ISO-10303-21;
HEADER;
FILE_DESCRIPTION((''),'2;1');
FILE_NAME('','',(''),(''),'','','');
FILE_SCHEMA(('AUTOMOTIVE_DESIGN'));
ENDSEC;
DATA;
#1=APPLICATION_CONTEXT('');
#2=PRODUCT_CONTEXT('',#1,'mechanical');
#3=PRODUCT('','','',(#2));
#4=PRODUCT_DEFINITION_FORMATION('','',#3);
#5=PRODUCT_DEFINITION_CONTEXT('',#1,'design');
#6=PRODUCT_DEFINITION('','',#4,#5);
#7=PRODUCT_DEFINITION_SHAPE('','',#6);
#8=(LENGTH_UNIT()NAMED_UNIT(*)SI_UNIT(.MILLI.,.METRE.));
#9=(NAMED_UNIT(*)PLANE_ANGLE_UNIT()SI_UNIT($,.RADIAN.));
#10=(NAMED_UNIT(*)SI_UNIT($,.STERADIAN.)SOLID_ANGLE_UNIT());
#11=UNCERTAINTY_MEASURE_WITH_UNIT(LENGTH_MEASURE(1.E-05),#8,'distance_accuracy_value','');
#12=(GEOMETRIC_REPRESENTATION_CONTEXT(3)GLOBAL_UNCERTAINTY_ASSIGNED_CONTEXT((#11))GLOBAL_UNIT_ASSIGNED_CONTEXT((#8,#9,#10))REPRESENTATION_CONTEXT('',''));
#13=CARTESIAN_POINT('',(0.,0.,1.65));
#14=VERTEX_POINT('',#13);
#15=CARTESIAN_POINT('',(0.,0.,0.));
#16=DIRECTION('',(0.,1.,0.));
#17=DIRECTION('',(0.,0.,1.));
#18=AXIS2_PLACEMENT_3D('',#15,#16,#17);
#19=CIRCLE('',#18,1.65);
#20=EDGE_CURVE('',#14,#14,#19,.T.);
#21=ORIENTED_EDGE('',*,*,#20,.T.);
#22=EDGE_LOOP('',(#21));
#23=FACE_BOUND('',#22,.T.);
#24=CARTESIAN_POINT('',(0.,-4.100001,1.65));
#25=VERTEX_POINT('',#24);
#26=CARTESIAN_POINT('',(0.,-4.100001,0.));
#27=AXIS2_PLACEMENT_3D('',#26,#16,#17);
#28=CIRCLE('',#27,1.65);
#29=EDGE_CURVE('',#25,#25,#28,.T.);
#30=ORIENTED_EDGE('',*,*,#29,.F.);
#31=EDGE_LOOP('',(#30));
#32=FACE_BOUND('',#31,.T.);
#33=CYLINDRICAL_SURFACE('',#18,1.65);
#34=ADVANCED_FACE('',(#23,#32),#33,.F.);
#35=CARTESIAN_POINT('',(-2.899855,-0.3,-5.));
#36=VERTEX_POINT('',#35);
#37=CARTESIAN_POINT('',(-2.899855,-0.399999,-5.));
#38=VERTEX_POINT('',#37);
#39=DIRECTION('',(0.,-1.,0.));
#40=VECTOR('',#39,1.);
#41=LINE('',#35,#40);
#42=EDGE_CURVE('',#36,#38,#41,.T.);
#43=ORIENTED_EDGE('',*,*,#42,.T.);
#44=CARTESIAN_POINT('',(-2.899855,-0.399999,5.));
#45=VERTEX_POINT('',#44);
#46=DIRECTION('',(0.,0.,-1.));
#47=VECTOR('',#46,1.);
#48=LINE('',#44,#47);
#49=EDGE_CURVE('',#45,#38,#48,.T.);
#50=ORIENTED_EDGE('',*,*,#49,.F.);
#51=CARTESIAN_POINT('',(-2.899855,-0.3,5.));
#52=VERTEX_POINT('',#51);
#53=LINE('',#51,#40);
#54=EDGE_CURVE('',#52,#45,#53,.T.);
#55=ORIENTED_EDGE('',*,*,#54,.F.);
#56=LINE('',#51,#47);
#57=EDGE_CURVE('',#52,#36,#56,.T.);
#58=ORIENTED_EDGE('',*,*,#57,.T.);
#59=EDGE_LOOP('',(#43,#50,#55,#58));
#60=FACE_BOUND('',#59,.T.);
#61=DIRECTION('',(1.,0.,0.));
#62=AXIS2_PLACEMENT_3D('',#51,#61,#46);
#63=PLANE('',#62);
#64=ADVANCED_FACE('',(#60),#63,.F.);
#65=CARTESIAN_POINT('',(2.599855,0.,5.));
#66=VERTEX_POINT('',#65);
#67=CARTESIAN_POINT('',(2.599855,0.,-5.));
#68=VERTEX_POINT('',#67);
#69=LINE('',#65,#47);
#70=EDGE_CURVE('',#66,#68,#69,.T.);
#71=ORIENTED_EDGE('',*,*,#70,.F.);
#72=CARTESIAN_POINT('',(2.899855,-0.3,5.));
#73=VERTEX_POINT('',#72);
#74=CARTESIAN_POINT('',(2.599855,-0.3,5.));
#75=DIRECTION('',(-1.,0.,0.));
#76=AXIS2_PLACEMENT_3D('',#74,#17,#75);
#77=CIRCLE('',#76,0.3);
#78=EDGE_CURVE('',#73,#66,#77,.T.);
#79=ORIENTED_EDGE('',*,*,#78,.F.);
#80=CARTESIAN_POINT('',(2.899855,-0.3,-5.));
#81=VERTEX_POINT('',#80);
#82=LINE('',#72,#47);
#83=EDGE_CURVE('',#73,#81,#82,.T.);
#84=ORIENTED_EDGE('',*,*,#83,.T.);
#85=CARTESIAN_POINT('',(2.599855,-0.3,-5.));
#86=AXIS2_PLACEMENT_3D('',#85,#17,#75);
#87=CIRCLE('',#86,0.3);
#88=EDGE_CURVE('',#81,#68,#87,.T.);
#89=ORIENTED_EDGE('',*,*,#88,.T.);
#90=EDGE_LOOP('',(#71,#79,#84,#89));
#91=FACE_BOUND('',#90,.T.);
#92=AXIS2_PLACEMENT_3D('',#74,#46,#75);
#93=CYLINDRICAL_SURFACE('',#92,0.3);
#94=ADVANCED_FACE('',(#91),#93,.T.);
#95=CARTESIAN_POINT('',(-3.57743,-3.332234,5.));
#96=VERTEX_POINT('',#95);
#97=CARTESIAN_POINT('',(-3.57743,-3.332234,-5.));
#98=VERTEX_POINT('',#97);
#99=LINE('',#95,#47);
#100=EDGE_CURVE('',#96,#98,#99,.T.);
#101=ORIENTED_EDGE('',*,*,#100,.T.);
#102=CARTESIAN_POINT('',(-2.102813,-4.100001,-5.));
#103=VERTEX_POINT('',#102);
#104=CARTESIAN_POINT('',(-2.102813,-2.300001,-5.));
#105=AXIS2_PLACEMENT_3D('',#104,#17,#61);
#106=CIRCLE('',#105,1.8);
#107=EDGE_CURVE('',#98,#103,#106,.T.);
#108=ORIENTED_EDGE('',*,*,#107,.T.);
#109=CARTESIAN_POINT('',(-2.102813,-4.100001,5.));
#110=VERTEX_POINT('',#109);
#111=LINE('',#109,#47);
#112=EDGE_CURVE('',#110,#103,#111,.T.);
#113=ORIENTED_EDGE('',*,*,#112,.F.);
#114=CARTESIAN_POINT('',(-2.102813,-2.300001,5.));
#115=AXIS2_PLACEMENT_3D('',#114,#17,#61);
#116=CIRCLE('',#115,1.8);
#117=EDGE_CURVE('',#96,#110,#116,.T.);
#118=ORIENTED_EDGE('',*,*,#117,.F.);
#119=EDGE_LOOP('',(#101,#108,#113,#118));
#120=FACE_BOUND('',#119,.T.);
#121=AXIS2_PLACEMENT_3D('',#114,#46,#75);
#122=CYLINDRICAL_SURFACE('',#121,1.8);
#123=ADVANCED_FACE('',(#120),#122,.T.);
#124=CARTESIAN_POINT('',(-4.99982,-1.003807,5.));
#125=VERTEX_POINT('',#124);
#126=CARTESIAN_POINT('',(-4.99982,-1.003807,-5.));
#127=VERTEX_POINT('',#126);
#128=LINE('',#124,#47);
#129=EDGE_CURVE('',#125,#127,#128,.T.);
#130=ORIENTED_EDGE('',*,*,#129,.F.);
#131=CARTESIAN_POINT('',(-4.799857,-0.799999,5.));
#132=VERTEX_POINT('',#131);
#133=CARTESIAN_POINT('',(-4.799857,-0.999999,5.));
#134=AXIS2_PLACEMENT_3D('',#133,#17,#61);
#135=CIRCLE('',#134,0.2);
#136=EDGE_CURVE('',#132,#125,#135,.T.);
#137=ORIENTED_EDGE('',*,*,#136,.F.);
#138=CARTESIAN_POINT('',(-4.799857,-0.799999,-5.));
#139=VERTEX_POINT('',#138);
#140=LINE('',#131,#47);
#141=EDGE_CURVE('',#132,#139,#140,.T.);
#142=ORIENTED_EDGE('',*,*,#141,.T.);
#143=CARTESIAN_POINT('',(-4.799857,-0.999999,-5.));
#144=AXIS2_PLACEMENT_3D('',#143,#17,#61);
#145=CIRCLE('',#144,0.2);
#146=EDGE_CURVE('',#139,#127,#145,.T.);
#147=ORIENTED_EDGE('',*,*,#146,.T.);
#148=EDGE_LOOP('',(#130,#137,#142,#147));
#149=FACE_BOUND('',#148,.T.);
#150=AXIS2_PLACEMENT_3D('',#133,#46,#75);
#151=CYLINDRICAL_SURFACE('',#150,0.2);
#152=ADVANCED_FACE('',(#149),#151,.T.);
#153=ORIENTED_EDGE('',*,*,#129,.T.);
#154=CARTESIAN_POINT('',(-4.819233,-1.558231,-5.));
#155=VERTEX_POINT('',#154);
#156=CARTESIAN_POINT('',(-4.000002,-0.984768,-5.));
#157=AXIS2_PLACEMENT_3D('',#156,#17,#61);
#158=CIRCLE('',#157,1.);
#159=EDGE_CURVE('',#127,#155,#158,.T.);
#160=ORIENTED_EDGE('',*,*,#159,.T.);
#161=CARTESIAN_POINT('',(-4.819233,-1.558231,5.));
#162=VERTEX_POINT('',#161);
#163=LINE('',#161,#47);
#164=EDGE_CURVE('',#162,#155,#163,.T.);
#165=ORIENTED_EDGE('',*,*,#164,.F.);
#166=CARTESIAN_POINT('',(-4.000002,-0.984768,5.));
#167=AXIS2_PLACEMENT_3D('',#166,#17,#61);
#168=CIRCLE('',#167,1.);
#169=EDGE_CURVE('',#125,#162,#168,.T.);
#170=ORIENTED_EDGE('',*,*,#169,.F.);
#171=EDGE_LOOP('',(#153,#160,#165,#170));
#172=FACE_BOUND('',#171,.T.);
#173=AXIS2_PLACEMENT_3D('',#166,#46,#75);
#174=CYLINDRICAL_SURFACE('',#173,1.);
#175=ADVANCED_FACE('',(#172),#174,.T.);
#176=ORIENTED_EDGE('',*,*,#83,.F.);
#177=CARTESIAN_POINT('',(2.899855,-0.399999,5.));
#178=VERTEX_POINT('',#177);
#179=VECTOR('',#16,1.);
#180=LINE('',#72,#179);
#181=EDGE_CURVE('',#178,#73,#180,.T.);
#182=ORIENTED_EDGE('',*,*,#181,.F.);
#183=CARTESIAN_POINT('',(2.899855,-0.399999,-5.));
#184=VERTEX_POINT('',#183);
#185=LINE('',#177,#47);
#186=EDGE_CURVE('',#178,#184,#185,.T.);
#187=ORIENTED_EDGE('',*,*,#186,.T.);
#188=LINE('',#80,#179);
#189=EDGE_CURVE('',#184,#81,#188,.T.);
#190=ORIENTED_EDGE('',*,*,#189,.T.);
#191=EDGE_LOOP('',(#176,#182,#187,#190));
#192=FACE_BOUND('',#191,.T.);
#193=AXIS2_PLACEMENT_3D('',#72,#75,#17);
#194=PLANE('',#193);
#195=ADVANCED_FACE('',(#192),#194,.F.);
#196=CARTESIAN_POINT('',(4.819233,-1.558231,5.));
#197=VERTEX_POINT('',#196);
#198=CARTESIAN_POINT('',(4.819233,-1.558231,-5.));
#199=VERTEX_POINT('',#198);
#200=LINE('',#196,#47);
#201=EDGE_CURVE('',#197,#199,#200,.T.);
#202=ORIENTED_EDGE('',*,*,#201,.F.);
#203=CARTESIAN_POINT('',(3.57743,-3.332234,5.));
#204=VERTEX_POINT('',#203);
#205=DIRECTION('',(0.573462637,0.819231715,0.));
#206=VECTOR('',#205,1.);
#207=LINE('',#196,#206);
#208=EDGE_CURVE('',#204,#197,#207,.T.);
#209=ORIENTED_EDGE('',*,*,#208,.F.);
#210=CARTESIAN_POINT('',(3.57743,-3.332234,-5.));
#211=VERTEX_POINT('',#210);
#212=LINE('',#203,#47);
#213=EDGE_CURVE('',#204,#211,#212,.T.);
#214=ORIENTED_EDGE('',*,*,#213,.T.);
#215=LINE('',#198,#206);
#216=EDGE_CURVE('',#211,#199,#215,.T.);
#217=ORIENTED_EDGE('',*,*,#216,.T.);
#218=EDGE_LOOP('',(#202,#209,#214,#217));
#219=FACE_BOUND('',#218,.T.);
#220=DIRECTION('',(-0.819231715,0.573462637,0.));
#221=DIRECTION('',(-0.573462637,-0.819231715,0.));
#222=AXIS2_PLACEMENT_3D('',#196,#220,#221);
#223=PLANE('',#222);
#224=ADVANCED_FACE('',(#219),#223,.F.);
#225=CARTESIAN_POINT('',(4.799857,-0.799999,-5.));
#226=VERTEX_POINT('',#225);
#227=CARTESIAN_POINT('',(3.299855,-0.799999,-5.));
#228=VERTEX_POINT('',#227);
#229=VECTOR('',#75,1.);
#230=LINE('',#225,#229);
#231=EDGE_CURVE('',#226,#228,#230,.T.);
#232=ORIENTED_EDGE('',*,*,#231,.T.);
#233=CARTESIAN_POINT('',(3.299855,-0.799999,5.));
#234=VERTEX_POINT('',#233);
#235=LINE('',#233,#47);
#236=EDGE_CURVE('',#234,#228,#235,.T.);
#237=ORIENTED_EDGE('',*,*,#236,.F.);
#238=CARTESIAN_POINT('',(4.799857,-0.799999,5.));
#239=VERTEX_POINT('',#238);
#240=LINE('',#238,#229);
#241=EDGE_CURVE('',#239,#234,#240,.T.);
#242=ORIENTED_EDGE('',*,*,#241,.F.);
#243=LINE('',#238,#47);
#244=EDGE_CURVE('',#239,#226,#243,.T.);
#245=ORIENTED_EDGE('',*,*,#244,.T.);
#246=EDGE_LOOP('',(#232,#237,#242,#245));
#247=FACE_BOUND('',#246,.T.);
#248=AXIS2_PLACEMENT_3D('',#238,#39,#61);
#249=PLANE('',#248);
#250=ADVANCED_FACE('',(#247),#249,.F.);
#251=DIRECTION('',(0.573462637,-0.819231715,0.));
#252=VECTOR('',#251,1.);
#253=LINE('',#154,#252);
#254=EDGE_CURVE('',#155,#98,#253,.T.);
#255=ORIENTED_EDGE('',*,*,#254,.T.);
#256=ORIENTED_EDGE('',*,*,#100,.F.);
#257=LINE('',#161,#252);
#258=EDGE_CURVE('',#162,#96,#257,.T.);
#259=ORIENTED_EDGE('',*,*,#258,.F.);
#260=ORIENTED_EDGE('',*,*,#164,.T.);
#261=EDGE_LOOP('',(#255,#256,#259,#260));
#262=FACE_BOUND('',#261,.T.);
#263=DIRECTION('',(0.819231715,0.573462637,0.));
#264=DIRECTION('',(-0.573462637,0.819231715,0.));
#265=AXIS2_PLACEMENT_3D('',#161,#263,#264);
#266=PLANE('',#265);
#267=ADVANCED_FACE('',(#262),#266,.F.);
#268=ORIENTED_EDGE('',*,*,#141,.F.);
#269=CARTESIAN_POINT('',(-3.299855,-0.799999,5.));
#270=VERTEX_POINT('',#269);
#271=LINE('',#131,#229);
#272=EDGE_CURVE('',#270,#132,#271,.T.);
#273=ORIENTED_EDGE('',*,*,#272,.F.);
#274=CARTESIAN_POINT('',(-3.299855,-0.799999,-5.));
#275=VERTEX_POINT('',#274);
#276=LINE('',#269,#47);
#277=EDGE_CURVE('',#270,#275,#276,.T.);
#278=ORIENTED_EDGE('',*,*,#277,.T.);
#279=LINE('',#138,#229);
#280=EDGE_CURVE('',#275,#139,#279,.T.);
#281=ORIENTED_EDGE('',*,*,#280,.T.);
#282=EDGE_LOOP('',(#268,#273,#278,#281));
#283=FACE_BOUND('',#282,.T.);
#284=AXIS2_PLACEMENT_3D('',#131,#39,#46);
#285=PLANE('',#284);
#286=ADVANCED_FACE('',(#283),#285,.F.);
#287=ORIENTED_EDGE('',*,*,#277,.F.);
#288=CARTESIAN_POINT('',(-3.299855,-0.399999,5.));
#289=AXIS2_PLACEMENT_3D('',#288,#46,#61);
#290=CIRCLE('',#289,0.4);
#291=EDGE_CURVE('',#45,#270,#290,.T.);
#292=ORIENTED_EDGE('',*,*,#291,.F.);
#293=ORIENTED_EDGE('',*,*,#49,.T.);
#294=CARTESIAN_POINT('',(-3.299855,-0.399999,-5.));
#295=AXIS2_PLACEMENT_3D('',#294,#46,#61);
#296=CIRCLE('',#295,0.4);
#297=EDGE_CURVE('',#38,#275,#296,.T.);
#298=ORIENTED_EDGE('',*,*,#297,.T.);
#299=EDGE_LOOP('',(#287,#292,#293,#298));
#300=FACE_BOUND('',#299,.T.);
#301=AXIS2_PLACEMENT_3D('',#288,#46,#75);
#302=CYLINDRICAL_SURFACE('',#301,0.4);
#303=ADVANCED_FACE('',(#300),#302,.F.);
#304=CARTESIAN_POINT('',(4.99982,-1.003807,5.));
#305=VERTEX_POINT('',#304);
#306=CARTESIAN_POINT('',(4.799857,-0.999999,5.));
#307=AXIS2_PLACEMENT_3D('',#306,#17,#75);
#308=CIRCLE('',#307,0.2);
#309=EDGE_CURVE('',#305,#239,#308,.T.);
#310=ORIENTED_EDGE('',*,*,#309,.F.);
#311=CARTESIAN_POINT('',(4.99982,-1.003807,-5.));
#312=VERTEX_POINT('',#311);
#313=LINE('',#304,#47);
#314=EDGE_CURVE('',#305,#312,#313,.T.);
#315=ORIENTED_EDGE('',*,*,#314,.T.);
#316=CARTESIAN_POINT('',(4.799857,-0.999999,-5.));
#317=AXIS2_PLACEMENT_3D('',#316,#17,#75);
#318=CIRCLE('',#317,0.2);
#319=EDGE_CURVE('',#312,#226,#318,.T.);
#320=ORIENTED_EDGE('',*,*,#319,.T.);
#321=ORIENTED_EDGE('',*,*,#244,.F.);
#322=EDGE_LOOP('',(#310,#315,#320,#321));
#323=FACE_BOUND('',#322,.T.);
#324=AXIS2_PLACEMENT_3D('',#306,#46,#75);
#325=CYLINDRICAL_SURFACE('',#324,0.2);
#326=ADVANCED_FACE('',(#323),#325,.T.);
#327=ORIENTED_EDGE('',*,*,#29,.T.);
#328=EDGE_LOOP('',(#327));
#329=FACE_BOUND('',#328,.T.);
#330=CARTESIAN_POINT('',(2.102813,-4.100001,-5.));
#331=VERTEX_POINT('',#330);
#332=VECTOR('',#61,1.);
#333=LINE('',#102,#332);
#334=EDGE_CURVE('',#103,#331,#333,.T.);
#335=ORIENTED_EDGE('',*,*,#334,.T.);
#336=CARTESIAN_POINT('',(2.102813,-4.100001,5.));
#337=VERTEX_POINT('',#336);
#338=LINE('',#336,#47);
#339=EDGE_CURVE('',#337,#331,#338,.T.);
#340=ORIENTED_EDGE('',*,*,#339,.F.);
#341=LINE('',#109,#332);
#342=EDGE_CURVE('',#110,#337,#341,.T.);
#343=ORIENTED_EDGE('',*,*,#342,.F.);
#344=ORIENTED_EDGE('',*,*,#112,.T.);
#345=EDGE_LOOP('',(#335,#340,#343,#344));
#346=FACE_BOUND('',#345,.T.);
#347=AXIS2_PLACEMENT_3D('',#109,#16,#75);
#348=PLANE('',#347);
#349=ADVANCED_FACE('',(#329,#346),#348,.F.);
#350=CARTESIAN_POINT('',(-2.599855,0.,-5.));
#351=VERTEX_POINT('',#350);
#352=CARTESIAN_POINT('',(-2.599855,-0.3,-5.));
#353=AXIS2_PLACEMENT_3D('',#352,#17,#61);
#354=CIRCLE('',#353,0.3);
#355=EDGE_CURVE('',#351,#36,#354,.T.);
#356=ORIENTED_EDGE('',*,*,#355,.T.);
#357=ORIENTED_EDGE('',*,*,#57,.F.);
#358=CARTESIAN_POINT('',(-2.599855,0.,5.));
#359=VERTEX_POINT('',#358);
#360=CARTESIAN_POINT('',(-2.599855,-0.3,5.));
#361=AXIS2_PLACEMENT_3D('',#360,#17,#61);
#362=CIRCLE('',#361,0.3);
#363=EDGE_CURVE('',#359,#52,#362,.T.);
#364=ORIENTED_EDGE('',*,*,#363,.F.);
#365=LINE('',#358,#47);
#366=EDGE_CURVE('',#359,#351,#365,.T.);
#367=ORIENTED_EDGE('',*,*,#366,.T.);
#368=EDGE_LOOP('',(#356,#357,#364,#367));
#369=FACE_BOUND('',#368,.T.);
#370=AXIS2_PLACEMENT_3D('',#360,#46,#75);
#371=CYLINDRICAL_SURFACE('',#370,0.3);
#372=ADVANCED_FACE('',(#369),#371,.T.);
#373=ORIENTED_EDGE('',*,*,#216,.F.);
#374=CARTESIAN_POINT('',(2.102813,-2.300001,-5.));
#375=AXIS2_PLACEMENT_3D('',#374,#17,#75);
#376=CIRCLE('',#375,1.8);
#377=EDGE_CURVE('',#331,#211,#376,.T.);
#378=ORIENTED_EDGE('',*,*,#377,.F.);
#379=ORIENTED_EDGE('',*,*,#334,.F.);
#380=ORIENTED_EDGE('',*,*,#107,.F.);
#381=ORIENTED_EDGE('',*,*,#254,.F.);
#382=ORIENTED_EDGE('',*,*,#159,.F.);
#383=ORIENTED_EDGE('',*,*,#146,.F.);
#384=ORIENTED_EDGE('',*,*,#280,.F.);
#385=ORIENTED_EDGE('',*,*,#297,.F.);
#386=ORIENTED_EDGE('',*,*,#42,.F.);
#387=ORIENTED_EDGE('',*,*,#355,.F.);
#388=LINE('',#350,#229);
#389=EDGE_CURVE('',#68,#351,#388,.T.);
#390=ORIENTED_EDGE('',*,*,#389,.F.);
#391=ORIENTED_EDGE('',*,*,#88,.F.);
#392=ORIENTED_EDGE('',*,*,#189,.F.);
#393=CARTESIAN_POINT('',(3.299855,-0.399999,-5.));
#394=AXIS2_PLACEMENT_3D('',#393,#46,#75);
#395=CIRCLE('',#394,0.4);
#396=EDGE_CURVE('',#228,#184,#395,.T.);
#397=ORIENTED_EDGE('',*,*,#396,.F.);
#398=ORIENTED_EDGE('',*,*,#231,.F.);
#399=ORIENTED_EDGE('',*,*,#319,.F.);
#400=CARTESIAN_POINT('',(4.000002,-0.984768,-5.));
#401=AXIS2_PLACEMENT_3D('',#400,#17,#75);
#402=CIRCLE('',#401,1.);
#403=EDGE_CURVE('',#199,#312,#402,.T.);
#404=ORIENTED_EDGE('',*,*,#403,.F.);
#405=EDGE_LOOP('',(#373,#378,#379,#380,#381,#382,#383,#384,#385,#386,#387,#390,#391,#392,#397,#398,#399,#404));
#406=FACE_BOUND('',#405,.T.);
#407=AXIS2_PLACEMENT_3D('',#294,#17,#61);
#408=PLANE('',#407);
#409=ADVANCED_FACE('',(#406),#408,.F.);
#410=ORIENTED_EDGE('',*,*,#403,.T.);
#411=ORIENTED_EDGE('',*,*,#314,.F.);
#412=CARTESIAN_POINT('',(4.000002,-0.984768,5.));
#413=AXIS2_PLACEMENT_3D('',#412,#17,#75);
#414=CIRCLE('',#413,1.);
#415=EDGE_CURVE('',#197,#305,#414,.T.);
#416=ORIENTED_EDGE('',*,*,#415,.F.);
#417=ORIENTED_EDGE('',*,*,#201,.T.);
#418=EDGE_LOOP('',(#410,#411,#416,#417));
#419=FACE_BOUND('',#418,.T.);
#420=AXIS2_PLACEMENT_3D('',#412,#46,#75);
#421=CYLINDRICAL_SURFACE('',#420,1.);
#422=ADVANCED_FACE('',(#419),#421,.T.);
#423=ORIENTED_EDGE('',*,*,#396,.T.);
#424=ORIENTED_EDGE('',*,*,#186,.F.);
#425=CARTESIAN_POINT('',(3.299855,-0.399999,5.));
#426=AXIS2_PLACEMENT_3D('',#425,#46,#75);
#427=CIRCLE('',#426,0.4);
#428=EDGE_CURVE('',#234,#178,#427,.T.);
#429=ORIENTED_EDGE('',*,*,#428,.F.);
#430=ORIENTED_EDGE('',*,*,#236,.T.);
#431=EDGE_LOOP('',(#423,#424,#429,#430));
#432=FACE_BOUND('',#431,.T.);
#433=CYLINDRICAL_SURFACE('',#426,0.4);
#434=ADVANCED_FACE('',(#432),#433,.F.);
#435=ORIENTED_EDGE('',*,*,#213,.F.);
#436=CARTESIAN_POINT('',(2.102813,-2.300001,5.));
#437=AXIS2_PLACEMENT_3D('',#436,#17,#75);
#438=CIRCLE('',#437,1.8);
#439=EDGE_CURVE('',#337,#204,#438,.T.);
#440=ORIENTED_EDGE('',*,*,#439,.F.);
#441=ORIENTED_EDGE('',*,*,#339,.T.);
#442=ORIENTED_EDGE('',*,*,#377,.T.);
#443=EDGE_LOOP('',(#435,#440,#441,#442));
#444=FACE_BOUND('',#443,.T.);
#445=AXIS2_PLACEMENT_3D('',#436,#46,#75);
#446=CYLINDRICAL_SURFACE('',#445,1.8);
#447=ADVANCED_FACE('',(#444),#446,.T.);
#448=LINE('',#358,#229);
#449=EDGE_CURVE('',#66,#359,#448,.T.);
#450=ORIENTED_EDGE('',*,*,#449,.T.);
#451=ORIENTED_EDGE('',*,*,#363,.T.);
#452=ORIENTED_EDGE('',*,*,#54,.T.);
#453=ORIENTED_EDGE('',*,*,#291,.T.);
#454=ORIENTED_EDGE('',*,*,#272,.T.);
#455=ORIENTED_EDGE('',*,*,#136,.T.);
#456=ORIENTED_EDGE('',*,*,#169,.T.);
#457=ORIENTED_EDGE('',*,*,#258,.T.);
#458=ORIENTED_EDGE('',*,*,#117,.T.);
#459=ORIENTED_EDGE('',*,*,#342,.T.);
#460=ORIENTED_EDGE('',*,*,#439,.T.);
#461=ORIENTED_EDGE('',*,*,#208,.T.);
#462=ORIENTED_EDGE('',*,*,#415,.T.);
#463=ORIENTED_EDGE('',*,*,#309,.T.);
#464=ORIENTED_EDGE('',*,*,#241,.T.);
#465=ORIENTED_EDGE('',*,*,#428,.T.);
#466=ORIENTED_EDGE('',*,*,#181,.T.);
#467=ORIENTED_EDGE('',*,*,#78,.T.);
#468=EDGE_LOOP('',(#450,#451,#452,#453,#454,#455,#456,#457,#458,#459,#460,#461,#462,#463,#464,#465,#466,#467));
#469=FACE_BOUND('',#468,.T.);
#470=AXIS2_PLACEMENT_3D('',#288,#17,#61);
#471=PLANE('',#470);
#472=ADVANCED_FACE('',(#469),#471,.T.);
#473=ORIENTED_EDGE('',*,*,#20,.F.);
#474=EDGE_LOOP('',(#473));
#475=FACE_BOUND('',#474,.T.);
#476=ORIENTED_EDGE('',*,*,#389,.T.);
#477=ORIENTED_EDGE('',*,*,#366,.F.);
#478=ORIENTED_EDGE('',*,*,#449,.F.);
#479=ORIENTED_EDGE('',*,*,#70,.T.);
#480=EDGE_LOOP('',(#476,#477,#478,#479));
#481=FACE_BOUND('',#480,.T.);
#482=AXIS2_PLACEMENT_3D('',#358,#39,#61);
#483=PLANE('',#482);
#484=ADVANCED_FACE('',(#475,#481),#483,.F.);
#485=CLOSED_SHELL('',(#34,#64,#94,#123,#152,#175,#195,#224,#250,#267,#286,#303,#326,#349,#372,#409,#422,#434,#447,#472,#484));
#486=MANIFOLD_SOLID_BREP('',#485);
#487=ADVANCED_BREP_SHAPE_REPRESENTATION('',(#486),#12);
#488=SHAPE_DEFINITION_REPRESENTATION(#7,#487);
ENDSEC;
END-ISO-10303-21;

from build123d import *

# Parameters (mm, degrees)
EXTRUDE_1_DEPTH = 5
M4X0_7_1_D      = 3.3


with BuildPart() as part:
    # ｽｹｯﾁ2 → 押し出し1 (new body, symmetric)
    with BuildSketch(Plane.XY):
        with BuildLine():
            Line((2.89985476, -0.30000001), (2.89985476, -0.39999919))
            ThreePointArc((2.89985476, -0.39999919), (3.017012051, -0.68284191), (3.29985477, -0.7999992))
            Line((3.29985477, -0.7999992), (4.799856544, -0.7999992))
            ThreePointArc((4.799856544, -0.7999992), (4.942617804, -0.859930564), (4.999820293, -1.003806973))
            ThreePointArc((4.999820293, -1.003806973), (4.950834117, -1.294473494), (4.819233264, -1.558230745))
            Line((4.819233264, -1.558230745), (3.577430107, -3.332233905))
            ThreePointArc((3.577430107, -3.332233905), (2.934071419, -3.896562924), (2.102813019, -4.100001158))
            Line((2.102813019, -4.100001158), (-2.102813019, -4.100001158))
            ThreePointArc((-2.102813019, -4.100001158), (-2.934071419, -3.896562924), (-3.577430107, -3.332233905))
            Line((-3.577430107, -3.332233905), (-4.819233264, -1.558230745))
            ThreePointArc((-4.819233264, -1.558230745), (-4.950834117, -1.294473494), (-4.999820293, -1.003806973))
            ThreePointArc((-4.999820293, -1.003806973), (-4.942617804, -0.859930564), (-4.799856544, -0.7999992))
            Line((-4.799856544, -0.7999992), (-3.29985477, -0.7999992))
            ThreePointArc((-3.29985477, -0.7999992), (-3.017012051, -0.68284191), (-2.89985476, -0.39999919))
            Line((-2.89985476, -0.39999919), (-2.89985476, -0.30000001))
            ThreePointArc((-2.89985476, -0.30000001), (-2.811986792, -0.087867969), (-2.59985475, 0))
            Line((-2.59985475, 0), (2.59985475, 0))
            ThreePointArc((2.59985475, 0), (2.811986792, -0.087867969), (2.89985476, -0.30000001))
        make_face()
    extrude(amount=EXTRUDE_1_DEPTH, both=True)

    # M4x0.7 ねじ穴1 (through all)
    with Locations(Plane(origin=(0, 0, 0), x_dir=(-1, 0, 0), z_dir=(0, 1, 0))):
        with Locations((0, 0)):
            Hole(M4X0_7_1_D / 2)


solid = part.part
